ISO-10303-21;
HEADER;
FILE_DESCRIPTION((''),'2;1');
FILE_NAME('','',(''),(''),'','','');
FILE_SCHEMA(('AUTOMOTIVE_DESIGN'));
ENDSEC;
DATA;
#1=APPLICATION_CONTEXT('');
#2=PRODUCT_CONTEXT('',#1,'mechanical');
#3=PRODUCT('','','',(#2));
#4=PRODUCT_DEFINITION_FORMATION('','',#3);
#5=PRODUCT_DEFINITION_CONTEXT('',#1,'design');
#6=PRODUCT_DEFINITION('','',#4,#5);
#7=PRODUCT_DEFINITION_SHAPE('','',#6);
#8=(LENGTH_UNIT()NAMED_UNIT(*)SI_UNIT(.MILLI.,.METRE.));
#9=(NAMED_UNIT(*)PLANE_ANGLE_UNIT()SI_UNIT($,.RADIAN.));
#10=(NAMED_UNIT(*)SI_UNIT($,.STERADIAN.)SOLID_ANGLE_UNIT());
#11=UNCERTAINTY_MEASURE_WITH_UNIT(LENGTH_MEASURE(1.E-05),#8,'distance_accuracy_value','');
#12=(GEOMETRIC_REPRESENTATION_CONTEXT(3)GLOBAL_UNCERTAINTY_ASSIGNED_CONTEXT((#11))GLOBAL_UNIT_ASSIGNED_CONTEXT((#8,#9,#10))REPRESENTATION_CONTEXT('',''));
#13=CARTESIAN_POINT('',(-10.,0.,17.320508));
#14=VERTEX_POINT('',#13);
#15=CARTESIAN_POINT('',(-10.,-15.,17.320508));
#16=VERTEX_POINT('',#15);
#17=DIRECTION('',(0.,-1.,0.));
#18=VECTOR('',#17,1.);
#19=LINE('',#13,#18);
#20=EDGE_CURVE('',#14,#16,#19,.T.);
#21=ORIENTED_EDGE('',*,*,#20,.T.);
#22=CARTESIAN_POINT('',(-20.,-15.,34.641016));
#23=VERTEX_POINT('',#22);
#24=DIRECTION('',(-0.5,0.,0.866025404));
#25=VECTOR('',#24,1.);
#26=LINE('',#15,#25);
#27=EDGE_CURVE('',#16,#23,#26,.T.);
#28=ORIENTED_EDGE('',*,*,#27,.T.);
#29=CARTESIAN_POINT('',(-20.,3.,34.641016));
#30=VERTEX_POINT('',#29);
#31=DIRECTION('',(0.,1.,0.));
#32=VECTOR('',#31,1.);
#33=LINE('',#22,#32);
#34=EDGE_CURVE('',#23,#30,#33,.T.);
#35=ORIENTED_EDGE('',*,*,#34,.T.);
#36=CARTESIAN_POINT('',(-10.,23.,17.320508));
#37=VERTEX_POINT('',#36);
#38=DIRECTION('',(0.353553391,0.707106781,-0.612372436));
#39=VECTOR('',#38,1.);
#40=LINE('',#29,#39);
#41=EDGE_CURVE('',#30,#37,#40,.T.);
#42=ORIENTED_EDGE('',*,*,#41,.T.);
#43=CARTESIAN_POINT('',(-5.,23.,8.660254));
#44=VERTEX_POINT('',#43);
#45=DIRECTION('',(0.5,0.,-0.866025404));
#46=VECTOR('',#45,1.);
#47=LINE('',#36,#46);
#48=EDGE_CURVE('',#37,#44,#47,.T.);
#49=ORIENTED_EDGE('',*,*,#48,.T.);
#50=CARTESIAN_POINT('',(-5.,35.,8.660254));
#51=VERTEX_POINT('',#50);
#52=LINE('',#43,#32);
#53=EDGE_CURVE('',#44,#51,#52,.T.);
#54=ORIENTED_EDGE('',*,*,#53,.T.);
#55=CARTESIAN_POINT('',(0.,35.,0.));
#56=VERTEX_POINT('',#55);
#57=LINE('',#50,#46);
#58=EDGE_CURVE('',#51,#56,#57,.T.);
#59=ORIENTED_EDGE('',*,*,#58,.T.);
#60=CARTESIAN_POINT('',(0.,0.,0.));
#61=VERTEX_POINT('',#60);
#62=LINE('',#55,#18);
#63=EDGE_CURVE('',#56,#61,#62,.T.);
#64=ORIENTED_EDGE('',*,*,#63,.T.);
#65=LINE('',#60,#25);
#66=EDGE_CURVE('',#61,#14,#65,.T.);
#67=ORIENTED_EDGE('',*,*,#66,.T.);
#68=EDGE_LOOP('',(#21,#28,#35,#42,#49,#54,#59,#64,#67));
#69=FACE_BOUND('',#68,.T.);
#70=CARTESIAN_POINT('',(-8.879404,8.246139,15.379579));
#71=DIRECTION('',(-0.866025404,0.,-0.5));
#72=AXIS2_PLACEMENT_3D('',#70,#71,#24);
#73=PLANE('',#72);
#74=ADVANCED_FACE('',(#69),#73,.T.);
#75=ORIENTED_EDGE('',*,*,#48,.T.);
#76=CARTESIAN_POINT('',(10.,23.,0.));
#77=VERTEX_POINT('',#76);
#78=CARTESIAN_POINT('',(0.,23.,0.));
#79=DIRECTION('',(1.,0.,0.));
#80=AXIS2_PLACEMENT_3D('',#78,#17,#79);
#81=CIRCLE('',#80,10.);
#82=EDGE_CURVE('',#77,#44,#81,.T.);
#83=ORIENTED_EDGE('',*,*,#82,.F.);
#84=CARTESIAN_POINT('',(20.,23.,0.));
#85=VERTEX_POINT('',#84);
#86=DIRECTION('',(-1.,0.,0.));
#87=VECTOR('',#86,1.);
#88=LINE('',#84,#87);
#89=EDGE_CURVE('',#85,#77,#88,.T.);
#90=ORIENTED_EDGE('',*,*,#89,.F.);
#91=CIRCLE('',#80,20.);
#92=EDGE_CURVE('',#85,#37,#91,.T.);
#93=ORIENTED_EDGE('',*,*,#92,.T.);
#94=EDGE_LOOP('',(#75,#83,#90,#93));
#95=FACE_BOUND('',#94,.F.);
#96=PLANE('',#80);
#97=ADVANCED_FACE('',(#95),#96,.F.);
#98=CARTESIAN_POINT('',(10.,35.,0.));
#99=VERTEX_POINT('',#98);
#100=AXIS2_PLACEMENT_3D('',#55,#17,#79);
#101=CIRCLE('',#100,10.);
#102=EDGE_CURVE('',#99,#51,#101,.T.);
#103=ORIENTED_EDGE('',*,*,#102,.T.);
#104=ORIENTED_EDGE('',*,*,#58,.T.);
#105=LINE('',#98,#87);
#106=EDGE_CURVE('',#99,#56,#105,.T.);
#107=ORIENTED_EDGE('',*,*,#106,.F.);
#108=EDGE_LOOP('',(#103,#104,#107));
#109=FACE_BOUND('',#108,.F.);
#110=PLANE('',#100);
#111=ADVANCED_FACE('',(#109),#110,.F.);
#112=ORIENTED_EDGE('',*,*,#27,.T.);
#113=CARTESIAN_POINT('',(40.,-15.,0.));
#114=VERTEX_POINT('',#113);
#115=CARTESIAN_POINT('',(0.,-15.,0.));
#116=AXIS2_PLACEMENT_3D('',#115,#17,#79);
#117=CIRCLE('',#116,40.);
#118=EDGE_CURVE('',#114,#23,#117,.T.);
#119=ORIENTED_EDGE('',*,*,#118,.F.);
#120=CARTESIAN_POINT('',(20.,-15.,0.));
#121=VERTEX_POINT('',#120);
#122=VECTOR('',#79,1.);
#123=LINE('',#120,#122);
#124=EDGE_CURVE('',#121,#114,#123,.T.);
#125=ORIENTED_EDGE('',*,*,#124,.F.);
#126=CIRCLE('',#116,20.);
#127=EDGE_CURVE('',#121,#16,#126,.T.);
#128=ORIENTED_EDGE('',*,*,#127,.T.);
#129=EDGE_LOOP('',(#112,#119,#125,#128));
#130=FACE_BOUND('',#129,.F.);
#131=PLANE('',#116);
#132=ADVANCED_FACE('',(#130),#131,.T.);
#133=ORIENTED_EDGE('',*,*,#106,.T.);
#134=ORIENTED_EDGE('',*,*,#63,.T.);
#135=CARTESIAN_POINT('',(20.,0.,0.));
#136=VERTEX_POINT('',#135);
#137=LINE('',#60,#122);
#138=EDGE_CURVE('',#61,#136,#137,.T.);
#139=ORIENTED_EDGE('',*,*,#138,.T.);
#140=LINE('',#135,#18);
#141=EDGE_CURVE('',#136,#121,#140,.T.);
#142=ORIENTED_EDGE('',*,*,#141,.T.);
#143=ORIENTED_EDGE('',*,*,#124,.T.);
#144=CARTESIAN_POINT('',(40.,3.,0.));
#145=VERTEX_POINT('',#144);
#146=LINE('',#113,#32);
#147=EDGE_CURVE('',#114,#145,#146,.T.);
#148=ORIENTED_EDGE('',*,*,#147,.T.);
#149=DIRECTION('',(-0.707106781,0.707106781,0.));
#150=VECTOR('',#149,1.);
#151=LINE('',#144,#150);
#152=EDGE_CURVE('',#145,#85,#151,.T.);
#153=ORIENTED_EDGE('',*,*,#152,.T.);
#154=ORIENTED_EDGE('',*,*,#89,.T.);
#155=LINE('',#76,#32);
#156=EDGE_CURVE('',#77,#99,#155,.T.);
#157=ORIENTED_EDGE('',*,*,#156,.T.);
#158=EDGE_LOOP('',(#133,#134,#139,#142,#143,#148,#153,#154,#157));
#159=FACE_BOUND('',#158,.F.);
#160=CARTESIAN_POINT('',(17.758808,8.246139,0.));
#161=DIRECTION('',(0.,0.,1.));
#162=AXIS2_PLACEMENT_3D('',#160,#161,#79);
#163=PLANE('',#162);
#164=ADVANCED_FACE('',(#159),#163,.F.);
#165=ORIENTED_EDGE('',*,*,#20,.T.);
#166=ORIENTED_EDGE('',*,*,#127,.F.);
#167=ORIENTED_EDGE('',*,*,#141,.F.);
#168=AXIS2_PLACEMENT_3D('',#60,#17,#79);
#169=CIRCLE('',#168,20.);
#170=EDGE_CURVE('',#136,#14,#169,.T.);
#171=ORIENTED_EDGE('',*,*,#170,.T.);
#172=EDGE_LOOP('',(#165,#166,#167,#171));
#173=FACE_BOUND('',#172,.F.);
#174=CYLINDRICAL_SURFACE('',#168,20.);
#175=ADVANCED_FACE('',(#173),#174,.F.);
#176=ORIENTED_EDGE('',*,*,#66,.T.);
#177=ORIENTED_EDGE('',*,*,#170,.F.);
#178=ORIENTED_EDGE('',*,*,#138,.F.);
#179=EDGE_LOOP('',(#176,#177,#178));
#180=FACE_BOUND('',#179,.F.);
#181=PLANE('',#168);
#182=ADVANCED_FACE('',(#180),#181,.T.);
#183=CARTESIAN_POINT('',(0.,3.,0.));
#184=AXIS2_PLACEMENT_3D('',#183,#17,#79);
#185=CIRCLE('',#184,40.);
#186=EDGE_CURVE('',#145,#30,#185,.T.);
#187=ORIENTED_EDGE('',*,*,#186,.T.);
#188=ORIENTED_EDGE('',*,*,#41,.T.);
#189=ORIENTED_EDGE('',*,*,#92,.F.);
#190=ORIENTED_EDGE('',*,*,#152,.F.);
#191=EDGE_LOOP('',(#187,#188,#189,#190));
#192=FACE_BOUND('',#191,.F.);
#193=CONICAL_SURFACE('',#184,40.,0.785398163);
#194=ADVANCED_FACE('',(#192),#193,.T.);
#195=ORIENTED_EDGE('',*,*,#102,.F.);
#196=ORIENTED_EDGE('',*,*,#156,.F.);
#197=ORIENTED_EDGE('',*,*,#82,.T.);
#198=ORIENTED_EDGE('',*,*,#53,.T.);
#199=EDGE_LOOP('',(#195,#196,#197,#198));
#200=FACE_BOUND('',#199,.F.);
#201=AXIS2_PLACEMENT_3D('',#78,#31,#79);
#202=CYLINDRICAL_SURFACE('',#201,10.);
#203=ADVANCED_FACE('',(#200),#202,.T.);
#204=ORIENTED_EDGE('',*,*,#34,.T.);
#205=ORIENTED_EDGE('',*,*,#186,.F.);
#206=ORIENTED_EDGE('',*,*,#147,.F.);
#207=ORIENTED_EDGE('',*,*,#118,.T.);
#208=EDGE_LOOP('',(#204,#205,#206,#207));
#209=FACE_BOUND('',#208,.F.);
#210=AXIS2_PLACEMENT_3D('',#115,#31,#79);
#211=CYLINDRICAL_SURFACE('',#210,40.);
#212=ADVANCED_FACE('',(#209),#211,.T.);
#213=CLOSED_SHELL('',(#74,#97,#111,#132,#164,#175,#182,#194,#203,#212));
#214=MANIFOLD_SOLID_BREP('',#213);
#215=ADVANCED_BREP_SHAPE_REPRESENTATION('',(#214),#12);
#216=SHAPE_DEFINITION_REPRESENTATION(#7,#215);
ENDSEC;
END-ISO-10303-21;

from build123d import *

# Parameters (mm, degrees)
F1_ANGLE = 120


with BuildPart() as f1:
    # F0 (on Top) → F1 (revolve)
    with BuildSketch(Plane.XY):
        Polygon((10, 35), (0, 35), (0, 0), (20, 0), (20, -15), (40, -15), (40, 3), (20, 23), (10, 23), align=None)
    revolve(axis=Axis((0, 17.5, 0), (0, -1, 0)), revolution_arc=F1_ANGLE)


solid = f1.part
